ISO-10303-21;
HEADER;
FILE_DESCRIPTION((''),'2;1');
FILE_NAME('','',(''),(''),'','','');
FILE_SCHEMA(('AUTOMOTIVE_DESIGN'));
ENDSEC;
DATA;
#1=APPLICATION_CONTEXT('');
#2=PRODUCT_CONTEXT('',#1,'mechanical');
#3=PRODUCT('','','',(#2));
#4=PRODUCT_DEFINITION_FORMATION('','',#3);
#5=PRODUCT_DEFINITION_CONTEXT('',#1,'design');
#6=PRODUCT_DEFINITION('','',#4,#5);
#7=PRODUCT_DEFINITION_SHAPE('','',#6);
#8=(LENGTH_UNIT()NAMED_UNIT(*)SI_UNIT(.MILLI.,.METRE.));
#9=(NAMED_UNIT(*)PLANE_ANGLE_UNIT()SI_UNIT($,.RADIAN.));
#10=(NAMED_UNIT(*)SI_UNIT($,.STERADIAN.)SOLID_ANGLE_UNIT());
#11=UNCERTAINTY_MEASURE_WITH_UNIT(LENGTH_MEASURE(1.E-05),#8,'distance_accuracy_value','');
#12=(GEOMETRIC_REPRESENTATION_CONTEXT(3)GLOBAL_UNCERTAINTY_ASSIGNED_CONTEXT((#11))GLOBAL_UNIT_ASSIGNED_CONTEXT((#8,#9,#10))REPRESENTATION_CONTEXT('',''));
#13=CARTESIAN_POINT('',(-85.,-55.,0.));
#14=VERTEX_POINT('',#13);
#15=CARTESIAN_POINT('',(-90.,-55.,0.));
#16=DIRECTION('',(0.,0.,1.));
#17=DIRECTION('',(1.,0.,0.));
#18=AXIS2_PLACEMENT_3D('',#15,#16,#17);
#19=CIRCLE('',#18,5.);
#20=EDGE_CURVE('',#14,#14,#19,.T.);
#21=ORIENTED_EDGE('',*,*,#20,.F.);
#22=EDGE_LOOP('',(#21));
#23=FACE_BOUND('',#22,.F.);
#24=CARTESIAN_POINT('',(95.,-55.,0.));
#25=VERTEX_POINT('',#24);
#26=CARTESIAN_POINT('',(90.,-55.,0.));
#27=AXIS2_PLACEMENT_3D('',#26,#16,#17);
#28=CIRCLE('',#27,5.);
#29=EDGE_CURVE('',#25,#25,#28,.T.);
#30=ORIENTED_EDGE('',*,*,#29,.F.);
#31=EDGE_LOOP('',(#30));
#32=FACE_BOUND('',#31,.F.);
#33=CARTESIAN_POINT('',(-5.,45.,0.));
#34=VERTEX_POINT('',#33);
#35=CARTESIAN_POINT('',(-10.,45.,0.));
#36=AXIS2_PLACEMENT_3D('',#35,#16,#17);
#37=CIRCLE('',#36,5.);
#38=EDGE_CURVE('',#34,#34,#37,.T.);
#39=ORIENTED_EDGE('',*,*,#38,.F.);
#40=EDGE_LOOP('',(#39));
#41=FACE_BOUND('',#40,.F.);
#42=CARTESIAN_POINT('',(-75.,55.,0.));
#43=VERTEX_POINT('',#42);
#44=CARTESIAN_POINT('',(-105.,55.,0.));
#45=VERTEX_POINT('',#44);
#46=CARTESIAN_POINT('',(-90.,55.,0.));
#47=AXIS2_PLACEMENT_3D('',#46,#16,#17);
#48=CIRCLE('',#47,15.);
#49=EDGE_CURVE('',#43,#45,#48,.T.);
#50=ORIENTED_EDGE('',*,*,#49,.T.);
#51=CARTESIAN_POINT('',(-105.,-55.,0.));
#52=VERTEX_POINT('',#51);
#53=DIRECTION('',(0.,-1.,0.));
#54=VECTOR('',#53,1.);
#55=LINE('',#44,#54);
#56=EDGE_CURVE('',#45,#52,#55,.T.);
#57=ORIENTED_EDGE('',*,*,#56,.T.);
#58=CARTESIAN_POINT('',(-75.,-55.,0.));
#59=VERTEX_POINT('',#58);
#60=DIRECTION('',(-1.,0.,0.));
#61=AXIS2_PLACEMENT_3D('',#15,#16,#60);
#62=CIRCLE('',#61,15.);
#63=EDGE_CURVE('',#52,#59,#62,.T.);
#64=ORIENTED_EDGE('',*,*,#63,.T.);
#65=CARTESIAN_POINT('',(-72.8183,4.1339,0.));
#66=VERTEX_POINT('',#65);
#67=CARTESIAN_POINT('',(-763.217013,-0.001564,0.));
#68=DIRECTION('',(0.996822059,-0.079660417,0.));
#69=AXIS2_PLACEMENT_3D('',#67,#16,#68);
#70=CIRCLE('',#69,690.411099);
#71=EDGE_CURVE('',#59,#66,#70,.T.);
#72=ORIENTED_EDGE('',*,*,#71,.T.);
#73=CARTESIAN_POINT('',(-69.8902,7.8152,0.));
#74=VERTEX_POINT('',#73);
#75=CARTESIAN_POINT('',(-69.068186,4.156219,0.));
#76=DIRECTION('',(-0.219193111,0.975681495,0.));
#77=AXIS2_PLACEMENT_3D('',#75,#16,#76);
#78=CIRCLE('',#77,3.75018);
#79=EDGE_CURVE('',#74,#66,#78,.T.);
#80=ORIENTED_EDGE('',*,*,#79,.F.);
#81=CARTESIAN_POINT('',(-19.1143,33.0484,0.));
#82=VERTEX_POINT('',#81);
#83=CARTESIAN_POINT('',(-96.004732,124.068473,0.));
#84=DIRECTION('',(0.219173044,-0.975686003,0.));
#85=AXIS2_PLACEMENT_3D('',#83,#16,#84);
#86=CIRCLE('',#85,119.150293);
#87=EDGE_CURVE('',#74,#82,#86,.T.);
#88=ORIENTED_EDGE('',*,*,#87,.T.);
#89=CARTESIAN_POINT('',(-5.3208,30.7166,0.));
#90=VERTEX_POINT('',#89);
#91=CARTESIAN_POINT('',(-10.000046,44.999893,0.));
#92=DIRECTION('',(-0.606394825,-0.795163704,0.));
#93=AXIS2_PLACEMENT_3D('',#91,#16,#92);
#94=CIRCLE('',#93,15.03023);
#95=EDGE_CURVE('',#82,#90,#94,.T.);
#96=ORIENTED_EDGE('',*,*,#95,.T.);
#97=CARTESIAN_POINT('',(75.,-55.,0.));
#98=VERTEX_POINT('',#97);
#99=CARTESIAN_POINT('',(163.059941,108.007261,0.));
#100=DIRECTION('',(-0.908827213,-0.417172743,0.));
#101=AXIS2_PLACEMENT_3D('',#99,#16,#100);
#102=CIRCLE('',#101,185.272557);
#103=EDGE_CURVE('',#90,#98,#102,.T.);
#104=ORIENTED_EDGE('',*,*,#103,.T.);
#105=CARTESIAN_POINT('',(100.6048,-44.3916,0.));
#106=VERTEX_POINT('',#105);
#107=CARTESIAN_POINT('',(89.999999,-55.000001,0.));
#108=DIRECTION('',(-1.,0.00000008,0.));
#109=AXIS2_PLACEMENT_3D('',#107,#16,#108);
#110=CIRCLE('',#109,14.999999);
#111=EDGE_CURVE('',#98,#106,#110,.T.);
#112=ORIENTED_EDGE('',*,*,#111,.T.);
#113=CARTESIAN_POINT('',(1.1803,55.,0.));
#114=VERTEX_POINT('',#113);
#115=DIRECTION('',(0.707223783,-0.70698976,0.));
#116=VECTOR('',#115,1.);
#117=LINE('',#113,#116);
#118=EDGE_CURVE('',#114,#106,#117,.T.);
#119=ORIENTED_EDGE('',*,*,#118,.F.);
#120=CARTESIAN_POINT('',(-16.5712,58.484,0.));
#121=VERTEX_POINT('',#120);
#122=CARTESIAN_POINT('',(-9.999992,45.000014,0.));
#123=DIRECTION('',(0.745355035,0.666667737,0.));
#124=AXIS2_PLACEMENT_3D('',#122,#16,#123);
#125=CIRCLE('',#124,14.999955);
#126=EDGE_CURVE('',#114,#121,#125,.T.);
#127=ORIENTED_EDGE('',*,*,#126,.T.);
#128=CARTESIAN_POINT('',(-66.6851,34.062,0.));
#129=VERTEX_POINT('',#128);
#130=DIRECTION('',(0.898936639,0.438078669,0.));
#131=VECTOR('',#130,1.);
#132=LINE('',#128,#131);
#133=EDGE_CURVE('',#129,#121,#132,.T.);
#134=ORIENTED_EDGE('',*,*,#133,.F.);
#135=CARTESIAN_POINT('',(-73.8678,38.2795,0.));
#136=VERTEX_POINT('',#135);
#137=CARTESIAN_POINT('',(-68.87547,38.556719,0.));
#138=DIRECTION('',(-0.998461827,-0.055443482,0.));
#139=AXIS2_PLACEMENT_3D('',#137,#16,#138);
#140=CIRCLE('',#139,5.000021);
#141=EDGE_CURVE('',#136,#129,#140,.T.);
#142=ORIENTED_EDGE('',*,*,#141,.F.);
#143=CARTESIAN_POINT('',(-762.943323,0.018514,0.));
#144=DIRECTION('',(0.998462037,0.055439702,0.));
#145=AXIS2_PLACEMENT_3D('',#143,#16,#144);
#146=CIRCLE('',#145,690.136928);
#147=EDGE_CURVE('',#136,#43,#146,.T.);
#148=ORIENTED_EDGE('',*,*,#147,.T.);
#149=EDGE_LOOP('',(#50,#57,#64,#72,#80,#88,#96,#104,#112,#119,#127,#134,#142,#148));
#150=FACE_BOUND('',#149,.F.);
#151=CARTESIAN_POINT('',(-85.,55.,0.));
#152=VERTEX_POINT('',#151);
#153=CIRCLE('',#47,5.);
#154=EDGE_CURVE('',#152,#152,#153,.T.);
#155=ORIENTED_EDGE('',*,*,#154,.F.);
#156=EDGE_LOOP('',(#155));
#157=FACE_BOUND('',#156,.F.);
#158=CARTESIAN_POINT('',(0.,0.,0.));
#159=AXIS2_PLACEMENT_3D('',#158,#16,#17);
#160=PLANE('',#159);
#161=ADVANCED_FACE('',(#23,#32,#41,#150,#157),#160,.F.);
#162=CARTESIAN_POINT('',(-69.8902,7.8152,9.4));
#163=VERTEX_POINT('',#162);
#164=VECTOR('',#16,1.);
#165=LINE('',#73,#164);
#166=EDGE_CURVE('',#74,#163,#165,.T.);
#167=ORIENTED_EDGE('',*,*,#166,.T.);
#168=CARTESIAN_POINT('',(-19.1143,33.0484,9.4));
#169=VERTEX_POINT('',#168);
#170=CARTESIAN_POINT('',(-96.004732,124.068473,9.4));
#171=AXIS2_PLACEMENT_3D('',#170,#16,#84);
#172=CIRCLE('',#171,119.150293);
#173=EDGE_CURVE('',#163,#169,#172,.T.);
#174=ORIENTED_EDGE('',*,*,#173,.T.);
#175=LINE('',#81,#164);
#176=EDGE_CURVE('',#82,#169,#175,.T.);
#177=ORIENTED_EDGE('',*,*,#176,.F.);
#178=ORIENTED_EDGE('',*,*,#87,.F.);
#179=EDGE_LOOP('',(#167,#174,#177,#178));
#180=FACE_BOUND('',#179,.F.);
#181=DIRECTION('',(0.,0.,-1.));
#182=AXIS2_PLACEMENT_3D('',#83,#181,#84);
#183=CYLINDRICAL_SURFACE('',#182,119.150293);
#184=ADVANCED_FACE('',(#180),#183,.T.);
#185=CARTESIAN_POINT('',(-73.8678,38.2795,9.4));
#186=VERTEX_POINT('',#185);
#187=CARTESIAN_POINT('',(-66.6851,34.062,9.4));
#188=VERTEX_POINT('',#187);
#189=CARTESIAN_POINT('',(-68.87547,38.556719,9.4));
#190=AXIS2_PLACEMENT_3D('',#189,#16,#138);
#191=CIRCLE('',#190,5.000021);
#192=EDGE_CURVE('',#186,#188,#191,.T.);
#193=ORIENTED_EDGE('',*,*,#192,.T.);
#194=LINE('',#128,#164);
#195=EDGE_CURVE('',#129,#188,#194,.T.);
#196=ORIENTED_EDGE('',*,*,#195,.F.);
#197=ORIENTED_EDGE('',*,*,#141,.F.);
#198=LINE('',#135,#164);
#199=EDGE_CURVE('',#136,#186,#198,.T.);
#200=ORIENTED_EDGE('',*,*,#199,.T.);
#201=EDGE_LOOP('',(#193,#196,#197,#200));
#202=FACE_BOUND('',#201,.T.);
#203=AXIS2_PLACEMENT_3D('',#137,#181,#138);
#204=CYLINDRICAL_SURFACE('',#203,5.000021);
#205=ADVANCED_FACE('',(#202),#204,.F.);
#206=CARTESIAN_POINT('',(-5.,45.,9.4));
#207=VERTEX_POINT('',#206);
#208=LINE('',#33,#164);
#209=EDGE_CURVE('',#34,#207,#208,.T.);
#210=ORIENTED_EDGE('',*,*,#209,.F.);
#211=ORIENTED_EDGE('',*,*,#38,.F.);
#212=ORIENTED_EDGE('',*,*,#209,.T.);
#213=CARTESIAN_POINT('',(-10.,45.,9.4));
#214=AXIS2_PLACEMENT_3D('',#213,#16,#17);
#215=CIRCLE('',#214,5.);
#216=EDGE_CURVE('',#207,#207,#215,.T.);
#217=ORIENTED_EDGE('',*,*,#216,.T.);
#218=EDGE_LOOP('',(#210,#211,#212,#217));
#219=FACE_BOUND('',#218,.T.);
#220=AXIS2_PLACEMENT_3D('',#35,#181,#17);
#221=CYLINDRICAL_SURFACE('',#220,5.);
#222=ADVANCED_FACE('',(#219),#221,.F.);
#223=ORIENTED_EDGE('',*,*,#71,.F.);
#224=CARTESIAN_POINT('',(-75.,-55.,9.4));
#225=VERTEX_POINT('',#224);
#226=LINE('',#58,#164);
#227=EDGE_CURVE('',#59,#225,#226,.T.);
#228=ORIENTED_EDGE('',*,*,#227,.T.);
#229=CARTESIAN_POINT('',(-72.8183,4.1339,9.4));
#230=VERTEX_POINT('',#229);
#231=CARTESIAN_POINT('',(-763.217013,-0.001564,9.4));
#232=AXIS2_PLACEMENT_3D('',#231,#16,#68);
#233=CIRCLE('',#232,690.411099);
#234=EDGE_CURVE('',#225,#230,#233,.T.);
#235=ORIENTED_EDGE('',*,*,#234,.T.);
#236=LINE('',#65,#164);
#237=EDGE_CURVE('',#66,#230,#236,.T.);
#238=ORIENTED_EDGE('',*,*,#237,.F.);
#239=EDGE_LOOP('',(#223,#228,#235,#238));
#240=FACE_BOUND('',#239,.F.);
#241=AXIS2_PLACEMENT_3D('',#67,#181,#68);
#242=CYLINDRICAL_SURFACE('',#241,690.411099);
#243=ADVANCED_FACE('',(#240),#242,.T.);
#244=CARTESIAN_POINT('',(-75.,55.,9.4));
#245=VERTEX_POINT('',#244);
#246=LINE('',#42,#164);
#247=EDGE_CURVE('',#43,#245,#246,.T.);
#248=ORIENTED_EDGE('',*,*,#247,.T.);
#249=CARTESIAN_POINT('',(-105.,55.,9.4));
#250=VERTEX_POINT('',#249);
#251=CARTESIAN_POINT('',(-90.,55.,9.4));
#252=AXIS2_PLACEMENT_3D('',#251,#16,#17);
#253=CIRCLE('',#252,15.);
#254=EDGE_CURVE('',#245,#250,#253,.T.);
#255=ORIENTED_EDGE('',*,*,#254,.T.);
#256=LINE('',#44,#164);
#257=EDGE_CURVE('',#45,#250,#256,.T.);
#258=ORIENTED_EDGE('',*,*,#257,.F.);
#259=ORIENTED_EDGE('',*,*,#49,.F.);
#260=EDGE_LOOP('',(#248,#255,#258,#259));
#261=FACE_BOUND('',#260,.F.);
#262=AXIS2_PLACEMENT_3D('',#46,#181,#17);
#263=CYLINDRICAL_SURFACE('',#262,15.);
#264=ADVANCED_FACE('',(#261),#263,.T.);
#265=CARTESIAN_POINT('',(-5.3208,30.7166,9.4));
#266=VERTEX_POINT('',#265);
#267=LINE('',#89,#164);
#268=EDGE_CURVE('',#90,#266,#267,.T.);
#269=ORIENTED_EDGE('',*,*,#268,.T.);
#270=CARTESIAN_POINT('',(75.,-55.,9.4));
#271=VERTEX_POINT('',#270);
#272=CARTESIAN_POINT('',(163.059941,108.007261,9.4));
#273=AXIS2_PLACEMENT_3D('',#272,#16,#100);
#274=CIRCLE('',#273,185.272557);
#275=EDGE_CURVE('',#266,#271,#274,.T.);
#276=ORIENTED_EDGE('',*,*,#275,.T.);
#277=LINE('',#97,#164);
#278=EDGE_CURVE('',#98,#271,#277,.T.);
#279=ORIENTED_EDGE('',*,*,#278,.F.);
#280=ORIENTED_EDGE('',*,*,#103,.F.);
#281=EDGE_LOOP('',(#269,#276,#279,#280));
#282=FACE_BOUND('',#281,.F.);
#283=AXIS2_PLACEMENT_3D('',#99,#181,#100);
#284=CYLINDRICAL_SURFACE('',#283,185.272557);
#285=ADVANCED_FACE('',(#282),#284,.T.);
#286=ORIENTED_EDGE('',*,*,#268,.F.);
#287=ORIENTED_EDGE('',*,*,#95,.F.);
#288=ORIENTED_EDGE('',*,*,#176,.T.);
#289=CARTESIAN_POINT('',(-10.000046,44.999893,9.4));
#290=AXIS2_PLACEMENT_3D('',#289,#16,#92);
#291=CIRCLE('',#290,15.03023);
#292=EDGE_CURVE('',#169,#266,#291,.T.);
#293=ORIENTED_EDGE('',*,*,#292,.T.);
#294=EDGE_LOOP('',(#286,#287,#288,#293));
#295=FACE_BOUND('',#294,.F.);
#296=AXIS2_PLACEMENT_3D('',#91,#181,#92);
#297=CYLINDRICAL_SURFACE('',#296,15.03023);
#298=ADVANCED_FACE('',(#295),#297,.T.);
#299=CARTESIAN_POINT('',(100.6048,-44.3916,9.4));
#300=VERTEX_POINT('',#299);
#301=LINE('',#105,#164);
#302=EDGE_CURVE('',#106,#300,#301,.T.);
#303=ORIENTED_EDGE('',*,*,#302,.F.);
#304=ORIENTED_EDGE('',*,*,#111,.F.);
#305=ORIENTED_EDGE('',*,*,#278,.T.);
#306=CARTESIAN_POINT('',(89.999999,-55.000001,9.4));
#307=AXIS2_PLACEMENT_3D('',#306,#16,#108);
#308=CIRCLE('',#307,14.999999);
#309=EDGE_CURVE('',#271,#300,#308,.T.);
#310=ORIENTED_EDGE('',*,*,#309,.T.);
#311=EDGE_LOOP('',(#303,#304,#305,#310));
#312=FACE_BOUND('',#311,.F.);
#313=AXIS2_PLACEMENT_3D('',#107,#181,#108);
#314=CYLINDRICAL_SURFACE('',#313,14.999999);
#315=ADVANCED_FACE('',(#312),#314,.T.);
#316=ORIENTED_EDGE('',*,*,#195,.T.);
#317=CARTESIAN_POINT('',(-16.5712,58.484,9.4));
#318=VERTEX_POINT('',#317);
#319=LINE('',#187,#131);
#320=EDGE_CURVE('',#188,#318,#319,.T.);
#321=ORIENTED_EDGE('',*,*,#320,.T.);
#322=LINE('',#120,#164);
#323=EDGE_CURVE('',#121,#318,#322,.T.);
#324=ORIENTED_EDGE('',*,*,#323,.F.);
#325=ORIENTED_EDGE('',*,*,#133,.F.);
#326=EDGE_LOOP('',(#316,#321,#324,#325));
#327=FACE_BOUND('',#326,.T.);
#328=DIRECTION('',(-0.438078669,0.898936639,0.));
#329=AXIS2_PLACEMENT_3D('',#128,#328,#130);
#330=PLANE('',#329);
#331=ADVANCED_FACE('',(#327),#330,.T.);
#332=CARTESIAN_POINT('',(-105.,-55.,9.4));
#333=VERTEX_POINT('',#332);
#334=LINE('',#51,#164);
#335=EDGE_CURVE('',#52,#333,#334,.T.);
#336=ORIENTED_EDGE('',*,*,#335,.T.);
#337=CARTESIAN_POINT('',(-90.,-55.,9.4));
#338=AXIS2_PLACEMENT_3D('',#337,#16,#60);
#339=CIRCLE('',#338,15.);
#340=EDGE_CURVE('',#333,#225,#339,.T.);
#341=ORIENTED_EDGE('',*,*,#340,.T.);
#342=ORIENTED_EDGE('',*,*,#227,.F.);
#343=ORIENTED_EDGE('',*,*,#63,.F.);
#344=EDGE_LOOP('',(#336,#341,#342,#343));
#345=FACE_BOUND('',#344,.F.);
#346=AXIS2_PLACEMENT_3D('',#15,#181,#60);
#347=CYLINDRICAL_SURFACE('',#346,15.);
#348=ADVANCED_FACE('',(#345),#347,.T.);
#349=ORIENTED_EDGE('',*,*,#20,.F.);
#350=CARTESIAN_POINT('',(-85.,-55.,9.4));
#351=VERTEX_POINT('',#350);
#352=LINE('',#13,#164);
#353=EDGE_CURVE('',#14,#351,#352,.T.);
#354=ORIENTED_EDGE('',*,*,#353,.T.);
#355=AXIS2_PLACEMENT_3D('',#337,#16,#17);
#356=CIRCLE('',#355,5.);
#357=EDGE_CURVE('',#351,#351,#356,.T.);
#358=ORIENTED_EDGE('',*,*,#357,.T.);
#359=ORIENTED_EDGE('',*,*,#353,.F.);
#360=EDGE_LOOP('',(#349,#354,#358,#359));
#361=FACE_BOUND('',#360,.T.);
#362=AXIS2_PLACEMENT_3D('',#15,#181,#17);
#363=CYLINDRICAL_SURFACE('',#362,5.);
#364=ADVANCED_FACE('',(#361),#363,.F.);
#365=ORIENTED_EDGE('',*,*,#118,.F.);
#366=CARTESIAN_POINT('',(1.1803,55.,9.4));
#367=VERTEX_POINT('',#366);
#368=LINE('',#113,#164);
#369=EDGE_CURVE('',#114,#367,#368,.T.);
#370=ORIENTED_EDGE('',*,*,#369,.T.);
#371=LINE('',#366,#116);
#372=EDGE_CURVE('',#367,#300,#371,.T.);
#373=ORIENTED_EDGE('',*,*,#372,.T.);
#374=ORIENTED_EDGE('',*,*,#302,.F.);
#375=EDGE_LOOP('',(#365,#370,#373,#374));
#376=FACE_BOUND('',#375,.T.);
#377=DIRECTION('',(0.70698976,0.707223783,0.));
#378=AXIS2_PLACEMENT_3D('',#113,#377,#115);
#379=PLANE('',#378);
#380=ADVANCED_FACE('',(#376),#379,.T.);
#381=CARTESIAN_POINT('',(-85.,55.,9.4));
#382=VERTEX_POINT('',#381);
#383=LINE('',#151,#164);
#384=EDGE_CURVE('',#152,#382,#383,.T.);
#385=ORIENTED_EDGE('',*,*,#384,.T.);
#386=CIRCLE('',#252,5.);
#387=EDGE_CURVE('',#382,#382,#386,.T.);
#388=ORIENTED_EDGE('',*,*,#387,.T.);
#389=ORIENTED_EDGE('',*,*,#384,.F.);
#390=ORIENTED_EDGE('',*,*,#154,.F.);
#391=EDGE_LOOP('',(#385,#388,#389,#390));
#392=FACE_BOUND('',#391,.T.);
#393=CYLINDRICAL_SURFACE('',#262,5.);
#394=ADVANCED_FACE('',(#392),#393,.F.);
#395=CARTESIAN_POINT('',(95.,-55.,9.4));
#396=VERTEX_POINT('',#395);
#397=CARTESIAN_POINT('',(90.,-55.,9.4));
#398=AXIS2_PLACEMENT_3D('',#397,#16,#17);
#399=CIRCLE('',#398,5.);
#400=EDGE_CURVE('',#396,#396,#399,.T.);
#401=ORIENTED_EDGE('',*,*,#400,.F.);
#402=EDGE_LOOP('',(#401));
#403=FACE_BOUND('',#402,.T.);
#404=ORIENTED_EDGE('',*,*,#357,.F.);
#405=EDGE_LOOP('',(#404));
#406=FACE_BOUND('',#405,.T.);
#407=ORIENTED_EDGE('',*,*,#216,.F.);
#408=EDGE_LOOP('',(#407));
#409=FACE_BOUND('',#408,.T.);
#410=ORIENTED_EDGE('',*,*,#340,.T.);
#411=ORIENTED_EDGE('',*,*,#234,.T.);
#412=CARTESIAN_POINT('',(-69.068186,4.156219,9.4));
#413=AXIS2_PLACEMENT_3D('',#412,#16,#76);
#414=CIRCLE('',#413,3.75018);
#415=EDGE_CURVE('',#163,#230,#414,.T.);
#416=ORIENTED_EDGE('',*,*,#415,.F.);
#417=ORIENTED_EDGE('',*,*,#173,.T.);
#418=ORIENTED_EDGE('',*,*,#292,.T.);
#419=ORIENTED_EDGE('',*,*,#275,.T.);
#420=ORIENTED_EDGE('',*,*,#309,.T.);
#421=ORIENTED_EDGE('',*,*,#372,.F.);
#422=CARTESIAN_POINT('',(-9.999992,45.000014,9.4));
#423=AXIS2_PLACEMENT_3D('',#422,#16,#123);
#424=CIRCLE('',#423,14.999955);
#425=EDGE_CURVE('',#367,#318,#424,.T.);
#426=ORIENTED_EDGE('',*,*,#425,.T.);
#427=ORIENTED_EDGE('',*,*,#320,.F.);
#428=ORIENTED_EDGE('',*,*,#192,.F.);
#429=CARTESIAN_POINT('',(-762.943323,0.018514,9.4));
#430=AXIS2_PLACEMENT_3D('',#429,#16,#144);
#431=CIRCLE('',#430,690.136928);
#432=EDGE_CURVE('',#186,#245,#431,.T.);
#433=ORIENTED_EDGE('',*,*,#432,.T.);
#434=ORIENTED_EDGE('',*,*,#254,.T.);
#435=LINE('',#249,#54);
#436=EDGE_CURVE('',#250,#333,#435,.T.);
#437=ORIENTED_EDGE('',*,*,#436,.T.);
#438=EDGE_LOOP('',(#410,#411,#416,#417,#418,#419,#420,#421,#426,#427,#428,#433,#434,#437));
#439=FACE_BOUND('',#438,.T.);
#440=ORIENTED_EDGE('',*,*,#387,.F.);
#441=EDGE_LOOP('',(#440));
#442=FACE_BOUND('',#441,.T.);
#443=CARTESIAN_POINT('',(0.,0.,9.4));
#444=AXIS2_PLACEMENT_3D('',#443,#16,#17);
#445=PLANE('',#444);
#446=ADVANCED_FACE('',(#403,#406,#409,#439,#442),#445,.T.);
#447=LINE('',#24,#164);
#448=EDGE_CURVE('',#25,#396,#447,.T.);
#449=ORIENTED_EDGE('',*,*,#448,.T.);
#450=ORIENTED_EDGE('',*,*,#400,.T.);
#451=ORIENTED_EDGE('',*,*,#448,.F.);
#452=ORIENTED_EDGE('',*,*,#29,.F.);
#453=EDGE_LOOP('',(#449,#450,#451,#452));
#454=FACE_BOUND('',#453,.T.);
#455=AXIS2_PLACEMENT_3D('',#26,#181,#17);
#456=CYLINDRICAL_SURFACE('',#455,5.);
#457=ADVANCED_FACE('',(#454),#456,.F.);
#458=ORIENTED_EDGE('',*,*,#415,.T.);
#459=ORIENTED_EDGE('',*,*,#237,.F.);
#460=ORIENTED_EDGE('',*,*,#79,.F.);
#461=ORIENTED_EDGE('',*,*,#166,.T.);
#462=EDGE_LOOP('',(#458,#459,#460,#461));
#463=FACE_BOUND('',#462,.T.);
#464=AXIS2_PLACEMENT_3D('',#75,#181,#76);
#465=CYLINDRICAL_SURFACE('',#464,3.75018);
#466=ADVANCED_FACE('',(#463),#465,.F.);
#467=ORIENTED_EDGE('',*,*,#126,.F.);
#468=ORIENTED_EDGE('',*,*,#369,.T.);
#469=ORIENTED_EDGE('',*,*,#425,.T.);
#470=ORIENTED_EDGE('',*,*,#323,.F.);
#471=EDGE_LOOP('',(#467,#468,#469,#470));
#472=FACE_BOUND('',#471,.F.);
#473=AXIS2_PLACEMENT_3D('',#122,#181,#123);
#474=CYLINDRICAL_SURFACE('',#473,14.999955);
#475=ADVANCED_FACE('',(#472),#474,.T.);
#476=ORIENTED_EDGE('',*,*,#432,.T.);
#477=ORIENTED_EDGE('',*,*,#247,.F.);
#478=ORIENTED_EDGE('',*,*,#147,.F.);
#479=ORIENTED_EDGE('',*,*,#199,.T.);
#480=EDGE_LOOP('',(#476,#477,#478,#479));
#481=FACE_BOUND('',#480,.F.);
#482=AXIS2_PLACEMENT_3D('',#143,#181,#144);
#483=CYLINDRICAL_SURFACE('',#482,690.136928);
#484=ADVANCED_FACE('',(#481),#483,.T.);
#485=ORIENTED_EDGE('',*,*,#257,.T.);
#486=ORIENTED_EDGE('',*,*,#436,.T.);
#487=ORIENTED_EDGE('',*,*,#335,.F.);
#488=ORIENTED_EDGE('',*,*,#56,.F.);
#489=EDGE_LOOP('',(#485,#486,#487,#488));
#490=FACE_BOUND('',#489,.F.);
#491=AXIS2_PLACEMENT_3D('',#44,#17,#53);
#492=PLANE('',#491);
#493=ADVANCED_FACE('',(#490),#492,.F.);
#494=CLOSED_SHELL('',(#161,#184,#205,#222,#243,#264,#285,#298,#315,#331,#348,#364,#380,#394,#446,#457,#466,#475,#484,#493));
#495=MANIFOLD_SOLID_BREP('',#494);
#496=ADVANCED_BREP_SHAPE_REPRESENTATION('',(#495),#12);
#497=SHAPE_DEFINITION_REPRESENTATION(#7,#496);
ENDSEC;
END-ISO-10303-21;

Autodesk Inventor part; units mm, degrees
ref_plane "YZ Plane" through (0, 0, 0) normal (1, 0, 0) x (0, 1, 0)
ref_plane "XZ Plane" through (0, 0, 0) normal (0, 1, 0) x (-1, 0, 0)
ref_plane "XY Plane" through (0, 0, 0) normal (0, 0, 1) x (1, 0, 0)
sketch "Sketch1" plane through (0, 0, 0) normal (0, 0, 1) x (1, 0, 0)
  line L0 (-110, 70) -> (110, 70) construction
  line L1 (110, 70) -> (110, -70) construction
  line L2 (110, -70) -> (-110, -70) construction
  line L3 (-110, -70) -> (-110, 70) construction
  circle A0 centre (-90, 55) radius 5
  circle A1 centre (-90, -55) radius 5
  circle A2 centre (90, -55) radius 5
  circle A3 centre (-10, 45) radius 5
  line L4 (-67, 0) -> (-42, 0) construction
  line L5 (-42, 0) -> (-42, -30) construction
  line L6 (-42, -30) -> (-67, -30) construction
  line L7 (-67, -30) -> (-67, 0) construction
  circle A4 centre (-54.5, -11) radius 10 construction
  circle A5 centre (-63.5044, -24.4163) radius 3 construction
  circle A6 centre (-57.3559, -26.4695) radius 3 construction
  circle A7 centre (-51.263, -24.6531) radius 3 construction
  circle A8 centre (-45.3418, -26.5938) radius 3 construction
  arc A9 (-75, 55) -> (-105, 55) centre (-90, 55) ccw
  arc A10 (-105, -55) -> (-75, -55) centre (-90, -55) ccw
  arc A11 (75, -55) -> (100.6048, -44.3916) centre (90, -55) ccw
  line L8 (-105, 55) -> (-105, -55)
  line L9 (-66.6851, 34.062) -> (-16.5712, 58.484)
  arc A12 (-69.8902, 7.8152) -> (-19.1143, 33.0484) centre (-96.0046, 124.0681) ccw
  arc A13 (-75, -55) -> (-72.8183, 4.1339) centre (-763.2438, 0) ccw
  arc A14 (-73.8678, 38.2795) -> (-75, 55) centre (-763.2438, 0) ccw
  line L10 (1.1803, 55) -> (100.6048, -44.3916)
  arc A15 (-5.3208, 30.7166) -> (75, -55) centre (163.06, 108.0073) ccw
  arc A16 (-19.1143, 33.0484) -> (-5.3208, 30.7166) centre (-10, 45) ccw
  arc A17 (1.1803, 55) -> (-16.5712, 58.484) centre (-10, 45) ccw
  arc A18 (-73.8678, 38.2795) -> (-66.6851, 34.062) centre (-68.8755, 38.5567) ccw
  arc A19 (-69.8902, 7.8152) -> (-72.8183, 4.1339) centre (-69.0683, 4.1564) ccw
  point P0 (0, 0)
  dimension "d1" = 70
  dimension "d2" = 70
  dimension "d3" = 110
  dimension "d4" = 110
  dimension "d5" = 10
  dimension "d6" = 10
  dimension "d7" = 10
  dimension "d8" = 10
  dimension "d9" = 55
  dimension "d10" = 55
  dimension "d11" = 55
  dimension "d12" = 180
  dimension "d13" = 90
  dimension "d14" = 90
  dimension "d15" = 10
  dimension "d16" = 45
  dimension "d17" = 42
  dimension "d18" = 30
  dimension "d19" = 0
  dimension "d20" = 25
  dimension "d21" = 20
  dimension "d22" = 6
  dimension "d23" = 6
  dimension "d24" = 6
  dimension "d25" = 11
  dimension "d26" = 12.5
  dimension "d27" = 6
  dimension "d50" = 30
  dimension "d51" = 30
  dimension "d52" = 30
  dimension "d53" = 10
  dimension "d54" = 7.5
extrude "Extrusion4" add sketch "Sketch1" along normal blind 9.4
equation "\"d1\" = d2"
equation "\"d4\" = d3"
equation "\"d10\" = d9"
equation "\"d11\" = d9"
equation "\"d14\" = d13"
equation "\"d26\" = 0.5 * d20"
properties part number "Bracket Concept MK5"
